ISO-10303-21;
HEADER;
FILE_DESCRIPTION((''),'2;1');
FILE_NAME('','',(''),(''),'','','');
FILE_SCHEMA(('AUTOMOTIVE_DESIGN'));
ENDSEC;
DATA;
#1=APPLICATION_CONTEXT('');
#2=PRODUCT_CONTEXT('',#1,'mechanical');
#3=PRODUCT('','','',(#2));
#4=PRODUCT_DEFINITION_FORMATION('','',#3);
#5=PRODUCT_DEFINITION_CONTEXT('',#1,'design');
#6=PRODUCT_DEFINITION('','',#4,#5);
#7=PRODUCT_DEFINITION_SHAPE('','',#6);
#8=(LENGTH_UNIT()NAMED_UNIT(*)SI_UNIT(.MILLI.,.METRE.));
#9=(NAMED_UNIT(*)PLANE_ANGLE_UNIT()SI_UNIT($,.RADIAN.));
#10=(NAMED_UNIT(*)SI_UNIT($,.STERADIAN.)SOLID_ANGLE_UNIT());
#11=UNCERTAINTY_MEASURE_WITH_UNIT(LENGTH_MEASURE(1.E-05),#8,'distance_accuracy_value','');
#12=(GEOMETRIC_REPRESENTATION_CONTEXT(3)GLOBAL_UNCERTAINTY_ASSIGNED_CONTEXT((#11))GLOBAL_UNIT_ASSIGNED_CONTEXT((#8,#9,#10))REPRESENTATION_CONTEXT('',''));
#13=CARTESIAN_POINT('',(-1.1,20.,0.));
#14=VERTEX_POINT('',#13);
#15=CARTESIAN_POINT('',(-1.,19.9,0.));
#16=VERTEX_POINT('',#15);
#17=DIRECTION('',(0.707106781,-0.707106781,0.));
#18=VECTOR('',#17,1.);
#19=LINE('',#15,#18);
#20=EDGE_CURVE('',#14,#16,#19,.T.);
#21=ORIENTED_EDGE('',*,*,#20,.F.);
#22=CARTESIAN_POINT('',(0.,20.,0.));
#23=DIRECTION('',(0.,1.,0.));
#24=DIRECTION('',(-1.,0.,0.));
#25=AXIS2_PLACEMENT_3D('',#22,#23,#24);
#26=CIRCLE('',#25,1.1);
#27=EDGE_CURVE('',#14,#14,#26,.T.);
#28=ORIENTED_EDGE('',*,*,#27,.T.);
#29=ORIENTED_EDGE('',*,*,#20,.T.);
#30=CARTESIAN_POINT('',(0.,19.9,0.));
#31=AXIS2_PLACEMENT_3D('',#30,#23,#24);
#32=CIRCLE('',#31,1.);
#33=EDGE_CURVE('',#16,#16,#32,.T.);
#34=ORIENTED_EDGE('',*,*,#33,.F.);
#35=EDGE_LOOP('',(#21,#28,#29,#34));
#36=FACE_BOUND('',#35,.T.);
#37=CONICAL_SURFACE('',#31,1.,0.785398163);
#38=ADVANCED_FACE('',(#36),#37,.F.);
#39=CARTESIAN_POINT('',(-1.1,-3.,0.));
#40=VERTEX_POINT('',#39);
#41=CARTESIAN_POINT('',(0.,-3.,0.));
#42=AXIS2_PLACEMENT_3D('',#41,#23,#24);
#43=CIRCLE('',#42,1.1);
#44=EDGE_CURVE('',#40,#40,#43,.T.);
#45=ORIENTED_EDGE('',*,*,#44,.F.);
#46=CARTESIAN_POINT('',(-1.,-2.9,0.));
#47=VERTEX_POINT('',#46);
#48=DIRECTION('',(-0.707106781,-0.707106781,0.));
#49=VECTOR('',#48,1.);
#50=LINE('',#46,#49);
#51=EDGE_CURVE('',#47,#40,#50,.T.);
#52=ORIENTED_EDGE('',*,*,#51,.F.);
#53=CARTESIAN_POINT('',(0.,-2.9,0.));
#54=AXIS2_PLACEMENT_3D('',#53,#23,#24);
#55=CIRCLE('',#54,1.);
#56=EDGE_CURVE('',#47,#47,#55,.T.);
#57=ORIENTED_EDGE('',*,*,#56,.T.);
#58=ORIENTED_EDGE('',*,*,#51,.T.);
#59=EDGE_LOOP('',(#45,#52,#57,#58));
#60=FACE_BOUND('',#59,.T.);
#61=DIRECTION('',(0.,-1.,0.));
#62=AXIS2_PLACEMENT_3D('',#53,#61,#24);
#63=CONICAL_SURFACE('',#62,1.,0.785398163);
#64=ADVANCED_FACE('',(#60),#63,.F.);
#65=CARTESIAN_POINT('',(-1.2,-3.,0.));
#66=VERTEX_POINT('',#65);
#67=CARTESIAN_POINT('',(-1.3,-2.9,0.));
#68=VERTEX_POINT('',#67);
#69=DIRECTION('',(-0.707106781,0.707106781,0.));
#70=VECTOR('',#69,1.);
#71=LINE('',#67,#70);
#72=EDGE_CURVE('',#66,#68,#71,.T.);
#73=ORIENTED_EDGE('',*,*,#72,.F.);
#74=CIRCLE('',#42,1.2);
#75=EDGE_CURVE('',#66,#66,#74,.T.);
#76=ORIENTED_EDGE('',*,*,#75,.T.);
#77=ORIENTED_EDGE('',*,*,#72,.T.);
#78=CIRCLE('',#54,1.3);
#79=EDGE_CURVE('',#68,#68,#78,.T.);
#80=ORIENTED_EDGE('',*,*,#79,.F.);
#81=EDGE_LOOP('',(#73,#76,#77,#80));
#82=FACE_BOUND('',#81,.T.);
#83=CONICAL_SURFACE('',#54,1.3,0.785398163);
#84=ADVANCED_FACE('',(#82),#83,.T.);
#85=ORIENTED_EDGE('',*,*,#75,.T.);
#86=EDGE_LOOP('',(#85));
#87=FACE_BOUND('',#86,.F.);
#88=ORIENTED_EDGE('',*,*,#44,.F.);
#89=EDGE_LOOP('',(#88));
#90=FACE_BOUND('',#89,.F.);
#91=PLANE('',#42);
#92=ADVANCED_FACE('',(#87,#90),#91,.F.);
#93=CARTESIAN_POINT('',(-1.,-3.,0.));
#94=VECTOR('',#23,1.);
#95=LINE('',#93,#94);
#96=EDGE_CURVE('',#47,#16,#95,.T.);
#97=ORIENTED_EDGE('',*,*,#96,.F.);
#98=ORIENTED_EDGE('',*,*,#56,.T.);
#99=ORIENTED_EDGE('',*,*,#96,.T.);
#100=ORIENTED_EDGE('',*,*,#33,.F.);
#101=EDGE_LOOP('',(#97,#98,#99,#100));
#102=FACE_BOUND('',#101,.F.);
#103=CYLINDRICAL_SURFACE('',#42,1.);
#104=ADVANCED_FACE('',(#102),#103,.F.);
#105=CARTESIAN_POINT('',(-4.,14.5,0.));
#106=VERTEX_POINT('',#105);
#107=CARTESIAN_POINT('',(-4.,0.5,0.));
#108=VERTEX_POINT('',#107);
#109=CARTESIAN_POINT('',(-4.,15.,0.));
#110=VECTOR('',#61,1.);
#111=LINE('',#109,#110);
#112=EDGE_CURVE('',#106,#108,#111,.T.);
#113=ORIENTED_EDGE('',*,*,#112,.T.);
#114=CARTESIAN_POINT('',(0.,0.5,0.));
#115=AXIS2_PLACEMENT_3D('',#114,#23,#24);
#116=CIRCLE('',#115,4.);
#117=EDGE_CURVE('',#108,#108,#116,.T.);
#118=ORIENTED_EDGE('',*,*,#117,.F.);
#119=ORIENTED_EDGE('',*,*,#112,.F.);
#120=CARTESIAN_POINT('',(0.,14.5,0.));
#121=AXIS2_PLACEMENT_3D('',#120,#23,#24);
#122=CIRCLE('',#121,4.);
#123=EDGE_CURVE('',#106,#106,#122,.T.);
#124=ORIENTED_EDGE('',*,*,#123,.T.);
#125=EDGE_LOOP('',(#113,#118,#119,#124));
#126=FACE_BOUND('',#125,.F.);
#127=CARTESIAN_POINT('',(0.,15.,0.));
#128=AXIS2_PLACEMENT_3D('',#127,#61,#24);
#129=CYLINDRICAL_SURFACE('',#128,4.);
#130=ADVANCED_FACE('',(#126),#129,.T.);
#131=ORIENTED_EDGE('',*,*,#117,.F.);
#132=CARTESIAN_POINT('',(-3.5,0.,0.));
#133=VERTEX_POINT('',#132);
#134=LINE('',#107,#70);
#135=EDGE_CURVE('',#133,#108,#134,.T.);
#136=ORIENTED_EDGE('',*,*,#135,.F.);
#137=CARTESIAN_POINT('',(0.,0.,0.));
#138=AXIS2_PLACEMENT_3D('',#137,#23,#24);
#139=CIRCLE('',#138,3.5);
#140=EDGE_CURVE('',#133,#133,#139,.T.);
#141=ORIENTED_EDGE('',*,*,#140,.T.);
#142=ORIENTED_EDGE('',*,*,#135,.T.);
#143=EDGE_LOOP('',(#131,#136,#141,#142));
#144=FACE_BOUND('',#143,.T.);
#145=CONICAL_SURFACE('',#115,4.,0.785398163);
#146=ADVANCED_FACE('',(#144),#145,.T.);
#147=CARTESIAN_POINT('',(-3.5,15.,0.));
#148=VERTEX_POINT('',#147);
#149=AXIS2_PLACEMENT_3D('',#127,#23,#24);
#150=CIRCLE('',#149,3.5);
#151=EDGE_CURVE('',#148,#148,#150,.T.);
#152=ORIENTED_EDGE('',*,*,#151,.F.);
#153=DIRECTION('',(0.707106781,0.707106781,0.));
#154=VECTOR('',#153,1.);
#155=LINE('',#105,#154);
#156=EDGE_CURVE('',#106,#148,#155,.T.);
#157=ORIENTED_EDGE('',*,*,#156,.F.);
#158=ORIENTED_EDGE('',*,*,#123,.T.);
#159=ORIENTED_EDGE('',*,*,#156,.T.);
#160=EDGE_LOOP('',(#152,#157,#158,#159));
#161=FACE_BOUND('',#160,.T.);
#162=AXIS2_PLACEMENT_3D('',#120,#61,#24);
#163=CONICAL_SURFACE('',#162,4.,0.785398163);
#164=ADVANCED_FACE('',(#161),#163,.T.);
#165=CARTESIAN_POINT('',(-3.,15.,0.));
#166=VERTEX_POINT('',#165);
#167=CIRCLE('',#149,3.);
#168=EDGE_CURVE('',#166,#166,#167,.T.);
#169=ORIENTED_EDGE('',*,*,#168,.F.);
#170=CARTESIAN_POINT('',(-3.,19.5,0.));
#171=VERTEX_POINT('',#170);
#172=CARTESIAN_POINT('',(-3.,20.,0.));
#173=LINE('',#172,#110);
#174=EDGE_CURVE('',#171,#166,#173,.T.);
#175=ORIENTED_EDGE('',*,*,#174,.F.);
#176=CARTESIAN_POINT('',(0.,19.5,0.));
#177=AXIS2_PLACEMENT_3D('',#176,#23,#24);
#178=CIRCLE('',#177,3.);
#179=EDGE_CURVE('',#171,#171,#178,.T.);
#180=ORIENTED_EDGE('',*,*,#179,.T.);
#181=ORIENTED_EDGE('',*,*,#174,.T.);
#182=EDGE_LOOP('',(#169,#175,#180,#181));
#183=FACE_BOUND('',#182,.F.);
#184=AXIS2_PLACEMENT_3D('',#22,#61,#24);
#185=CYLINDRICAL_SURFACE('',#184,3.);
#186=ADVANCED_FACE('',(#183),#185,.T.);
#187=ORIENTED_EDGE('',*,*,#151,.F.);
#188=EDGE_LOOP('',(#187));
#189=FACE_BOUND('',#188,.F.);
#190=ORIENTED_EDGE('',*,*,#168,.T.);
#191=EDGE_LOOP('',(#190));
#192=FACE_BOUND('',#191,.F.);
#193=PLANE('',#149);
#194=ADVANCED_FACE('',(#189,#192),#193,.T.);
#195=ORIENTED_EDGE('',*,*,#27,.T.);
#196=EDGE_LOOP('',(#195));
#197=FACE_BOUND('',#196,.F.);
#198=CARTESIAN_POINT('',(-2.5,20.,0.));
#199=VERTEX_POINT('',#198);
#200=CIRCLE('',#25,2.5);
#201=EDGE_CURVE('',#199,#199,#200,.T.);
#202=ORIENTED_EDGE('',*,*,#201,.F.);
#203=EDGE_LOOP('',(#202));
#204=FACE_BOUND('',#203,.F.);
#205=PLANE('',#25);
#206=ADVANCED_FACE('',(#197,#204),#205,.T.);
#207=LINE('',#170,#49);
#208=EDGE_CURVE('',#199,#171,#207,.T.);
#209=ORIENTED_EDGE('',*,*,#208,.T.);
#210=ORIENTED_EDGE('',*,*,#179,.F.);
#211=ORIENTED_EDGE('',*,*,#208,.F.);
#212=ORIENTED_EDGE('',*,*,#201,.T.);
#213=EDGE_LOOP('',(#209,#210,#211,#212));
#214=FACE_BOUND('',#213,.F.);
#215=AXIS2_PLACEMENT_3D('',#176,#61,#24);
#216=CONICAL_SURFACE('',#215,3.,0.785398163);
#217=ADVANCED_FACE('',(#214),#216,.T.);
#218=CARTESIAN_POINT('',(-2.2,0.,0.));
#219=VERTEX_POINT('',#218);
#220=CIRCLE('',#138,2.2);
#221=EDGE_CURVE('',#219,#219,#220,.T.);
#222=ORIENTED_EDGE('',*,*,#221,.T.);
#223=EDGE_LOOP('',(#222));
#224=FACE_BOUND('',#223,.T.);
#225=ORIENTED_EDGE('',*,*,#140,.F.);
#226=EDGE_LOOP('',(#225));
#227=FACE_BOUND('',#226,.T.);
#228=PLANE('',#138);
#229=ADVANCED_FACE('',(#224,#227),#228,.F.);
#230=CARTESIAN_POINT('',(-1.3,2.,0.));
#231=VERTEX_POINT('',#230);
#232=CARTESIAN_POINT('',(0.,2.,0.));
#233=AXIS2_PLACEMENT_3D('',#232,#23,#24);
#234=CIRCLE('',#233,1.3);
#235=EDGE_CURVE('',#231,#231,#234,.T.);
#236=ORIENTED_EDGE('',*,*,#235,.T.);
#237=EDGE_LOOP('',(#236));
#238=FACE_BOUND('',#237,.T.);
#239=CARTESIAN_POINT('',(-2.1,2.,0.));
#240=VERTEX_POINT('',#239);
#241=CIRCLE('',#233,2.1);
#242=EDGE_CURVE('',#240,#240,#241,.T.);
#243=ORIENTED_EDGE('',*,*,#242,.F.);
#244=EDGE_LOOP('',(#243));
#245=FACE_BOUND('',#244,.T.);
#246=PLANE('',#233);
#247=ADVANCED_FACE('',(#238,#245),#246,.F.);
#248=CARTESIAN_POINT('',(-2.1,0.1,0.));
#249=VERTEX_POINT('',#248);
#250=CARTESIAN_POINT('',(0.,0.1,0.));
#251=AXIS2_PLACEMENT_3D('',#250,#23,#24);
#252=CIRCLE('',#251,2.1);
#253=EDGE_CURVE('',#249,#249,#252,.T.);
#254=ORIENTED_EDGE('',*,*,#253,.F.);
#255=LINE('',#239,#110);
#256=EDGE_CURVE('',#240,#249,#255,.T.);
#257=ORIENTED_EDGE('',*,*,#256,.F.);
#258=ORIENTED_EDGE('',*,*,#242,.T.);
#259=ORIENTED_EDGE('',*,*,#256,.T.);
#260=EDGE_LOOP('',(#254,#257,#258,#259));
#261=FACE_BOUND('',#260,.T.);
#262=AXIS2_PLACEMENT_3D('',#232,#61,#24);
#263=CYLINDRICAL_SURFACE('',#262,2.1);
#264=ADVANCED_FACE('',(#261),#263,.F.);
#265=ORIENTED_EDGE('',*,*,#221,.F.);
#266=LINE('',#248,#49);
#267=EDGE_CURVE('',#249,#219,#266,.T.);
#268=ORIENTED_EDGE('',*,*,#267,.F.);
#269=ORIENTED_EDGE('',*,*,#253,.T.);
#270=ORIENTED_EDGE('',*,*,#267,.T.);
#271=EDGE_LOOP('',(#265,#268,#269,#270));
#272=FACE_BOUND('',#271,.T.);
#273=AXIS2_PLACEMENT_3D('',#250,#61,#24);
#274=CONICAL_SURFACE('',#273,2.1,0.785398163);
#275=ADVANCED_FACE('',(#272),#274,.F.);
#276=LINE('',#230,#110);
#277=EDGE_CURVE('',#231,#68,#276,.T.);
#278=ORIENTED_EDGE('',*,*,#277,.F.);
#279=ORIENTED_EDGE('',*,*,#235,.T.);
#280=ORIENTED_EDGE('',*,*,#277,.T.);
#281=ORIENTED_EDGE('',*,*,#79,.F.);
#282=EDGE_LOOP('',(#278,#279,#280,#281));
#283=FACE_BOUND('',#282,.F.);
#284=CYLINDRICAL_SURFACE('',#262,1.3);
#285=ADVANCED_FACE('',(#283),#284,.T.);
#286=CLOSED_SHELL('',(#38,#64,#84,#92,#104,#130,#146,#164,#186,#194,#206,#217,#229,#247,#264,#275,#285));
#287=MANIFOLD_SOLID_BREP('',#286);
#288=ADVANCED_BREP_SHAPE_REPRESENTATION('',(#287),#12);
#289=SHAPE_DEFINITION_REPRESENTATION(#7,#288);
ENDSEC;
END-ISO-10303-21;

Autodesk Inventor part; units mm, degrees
ref_plane "YZ Plane" through (0, 0, 0) normal (1, 0, 0) x (0, 1, 0)
ref_plane "XZ Plane" through (0, 0, 0) normal (0, 1, 0) x (-1, 0, 0)
ref_plane "XY Plane" through (0, 0, 0) normal (0, 0, 1) x (1, 0, 0)
sketch "Sketch1" plane through (0, 0, 0) normal (0, 0, 1) x (1, 0, 0)
  line L0 (-3, 20) -> (-3, 15)
  line L1 (-3, 15) -> (-4, 15)
  line L2 (-4, 15) -> (-4, 0)
  line L3 (-1.3, 2) -> (-1.3, -3)
  line L4 (-1.3, -3) -> (-1, -3)
  line L5 (-1, -3) -> (-1, 20)
  line L6 (-1, 20) -> (-3, 20)
  line L7 (-1.3, 2) -> (-2.1, 2)
  line L8 (-2.1, 2) -> (-2.1, 0)
  line L9 (-2.1, 0) -> (-4, 0)
  line L10 (0, -7.6) -> (0, 24.6) projected
  point P0 (0, 0)
  dimension "d0" = 1
  dimension "d1" = 1.3
  dimension "d3" = 15
  dimension "d4" = 2
  dimension "d5" = 5
  dimension "d6" = 4
  dimension "d7" = 0.8
  dimension "d8" = 2
  dimension "d9" = 5
revolve "Revolution1" add sketch "Sketch1" angle 360 about axis through (0, -10, 0) along (0, 1, 0)
chamfer "Chamfer1" distance 0.5 angle 45 3 edges at (4, 15, 0) (3, 20, 0) (4, 0, 0)
chamfer "Chamfer2" distance 0.1 angle 45 4 edges at (2.1, 0, 0) (1.3, -3, 0) (1, -3, 0) (1, 20, 0)
properties part number "EPR Capillary Glue Ferrule"
